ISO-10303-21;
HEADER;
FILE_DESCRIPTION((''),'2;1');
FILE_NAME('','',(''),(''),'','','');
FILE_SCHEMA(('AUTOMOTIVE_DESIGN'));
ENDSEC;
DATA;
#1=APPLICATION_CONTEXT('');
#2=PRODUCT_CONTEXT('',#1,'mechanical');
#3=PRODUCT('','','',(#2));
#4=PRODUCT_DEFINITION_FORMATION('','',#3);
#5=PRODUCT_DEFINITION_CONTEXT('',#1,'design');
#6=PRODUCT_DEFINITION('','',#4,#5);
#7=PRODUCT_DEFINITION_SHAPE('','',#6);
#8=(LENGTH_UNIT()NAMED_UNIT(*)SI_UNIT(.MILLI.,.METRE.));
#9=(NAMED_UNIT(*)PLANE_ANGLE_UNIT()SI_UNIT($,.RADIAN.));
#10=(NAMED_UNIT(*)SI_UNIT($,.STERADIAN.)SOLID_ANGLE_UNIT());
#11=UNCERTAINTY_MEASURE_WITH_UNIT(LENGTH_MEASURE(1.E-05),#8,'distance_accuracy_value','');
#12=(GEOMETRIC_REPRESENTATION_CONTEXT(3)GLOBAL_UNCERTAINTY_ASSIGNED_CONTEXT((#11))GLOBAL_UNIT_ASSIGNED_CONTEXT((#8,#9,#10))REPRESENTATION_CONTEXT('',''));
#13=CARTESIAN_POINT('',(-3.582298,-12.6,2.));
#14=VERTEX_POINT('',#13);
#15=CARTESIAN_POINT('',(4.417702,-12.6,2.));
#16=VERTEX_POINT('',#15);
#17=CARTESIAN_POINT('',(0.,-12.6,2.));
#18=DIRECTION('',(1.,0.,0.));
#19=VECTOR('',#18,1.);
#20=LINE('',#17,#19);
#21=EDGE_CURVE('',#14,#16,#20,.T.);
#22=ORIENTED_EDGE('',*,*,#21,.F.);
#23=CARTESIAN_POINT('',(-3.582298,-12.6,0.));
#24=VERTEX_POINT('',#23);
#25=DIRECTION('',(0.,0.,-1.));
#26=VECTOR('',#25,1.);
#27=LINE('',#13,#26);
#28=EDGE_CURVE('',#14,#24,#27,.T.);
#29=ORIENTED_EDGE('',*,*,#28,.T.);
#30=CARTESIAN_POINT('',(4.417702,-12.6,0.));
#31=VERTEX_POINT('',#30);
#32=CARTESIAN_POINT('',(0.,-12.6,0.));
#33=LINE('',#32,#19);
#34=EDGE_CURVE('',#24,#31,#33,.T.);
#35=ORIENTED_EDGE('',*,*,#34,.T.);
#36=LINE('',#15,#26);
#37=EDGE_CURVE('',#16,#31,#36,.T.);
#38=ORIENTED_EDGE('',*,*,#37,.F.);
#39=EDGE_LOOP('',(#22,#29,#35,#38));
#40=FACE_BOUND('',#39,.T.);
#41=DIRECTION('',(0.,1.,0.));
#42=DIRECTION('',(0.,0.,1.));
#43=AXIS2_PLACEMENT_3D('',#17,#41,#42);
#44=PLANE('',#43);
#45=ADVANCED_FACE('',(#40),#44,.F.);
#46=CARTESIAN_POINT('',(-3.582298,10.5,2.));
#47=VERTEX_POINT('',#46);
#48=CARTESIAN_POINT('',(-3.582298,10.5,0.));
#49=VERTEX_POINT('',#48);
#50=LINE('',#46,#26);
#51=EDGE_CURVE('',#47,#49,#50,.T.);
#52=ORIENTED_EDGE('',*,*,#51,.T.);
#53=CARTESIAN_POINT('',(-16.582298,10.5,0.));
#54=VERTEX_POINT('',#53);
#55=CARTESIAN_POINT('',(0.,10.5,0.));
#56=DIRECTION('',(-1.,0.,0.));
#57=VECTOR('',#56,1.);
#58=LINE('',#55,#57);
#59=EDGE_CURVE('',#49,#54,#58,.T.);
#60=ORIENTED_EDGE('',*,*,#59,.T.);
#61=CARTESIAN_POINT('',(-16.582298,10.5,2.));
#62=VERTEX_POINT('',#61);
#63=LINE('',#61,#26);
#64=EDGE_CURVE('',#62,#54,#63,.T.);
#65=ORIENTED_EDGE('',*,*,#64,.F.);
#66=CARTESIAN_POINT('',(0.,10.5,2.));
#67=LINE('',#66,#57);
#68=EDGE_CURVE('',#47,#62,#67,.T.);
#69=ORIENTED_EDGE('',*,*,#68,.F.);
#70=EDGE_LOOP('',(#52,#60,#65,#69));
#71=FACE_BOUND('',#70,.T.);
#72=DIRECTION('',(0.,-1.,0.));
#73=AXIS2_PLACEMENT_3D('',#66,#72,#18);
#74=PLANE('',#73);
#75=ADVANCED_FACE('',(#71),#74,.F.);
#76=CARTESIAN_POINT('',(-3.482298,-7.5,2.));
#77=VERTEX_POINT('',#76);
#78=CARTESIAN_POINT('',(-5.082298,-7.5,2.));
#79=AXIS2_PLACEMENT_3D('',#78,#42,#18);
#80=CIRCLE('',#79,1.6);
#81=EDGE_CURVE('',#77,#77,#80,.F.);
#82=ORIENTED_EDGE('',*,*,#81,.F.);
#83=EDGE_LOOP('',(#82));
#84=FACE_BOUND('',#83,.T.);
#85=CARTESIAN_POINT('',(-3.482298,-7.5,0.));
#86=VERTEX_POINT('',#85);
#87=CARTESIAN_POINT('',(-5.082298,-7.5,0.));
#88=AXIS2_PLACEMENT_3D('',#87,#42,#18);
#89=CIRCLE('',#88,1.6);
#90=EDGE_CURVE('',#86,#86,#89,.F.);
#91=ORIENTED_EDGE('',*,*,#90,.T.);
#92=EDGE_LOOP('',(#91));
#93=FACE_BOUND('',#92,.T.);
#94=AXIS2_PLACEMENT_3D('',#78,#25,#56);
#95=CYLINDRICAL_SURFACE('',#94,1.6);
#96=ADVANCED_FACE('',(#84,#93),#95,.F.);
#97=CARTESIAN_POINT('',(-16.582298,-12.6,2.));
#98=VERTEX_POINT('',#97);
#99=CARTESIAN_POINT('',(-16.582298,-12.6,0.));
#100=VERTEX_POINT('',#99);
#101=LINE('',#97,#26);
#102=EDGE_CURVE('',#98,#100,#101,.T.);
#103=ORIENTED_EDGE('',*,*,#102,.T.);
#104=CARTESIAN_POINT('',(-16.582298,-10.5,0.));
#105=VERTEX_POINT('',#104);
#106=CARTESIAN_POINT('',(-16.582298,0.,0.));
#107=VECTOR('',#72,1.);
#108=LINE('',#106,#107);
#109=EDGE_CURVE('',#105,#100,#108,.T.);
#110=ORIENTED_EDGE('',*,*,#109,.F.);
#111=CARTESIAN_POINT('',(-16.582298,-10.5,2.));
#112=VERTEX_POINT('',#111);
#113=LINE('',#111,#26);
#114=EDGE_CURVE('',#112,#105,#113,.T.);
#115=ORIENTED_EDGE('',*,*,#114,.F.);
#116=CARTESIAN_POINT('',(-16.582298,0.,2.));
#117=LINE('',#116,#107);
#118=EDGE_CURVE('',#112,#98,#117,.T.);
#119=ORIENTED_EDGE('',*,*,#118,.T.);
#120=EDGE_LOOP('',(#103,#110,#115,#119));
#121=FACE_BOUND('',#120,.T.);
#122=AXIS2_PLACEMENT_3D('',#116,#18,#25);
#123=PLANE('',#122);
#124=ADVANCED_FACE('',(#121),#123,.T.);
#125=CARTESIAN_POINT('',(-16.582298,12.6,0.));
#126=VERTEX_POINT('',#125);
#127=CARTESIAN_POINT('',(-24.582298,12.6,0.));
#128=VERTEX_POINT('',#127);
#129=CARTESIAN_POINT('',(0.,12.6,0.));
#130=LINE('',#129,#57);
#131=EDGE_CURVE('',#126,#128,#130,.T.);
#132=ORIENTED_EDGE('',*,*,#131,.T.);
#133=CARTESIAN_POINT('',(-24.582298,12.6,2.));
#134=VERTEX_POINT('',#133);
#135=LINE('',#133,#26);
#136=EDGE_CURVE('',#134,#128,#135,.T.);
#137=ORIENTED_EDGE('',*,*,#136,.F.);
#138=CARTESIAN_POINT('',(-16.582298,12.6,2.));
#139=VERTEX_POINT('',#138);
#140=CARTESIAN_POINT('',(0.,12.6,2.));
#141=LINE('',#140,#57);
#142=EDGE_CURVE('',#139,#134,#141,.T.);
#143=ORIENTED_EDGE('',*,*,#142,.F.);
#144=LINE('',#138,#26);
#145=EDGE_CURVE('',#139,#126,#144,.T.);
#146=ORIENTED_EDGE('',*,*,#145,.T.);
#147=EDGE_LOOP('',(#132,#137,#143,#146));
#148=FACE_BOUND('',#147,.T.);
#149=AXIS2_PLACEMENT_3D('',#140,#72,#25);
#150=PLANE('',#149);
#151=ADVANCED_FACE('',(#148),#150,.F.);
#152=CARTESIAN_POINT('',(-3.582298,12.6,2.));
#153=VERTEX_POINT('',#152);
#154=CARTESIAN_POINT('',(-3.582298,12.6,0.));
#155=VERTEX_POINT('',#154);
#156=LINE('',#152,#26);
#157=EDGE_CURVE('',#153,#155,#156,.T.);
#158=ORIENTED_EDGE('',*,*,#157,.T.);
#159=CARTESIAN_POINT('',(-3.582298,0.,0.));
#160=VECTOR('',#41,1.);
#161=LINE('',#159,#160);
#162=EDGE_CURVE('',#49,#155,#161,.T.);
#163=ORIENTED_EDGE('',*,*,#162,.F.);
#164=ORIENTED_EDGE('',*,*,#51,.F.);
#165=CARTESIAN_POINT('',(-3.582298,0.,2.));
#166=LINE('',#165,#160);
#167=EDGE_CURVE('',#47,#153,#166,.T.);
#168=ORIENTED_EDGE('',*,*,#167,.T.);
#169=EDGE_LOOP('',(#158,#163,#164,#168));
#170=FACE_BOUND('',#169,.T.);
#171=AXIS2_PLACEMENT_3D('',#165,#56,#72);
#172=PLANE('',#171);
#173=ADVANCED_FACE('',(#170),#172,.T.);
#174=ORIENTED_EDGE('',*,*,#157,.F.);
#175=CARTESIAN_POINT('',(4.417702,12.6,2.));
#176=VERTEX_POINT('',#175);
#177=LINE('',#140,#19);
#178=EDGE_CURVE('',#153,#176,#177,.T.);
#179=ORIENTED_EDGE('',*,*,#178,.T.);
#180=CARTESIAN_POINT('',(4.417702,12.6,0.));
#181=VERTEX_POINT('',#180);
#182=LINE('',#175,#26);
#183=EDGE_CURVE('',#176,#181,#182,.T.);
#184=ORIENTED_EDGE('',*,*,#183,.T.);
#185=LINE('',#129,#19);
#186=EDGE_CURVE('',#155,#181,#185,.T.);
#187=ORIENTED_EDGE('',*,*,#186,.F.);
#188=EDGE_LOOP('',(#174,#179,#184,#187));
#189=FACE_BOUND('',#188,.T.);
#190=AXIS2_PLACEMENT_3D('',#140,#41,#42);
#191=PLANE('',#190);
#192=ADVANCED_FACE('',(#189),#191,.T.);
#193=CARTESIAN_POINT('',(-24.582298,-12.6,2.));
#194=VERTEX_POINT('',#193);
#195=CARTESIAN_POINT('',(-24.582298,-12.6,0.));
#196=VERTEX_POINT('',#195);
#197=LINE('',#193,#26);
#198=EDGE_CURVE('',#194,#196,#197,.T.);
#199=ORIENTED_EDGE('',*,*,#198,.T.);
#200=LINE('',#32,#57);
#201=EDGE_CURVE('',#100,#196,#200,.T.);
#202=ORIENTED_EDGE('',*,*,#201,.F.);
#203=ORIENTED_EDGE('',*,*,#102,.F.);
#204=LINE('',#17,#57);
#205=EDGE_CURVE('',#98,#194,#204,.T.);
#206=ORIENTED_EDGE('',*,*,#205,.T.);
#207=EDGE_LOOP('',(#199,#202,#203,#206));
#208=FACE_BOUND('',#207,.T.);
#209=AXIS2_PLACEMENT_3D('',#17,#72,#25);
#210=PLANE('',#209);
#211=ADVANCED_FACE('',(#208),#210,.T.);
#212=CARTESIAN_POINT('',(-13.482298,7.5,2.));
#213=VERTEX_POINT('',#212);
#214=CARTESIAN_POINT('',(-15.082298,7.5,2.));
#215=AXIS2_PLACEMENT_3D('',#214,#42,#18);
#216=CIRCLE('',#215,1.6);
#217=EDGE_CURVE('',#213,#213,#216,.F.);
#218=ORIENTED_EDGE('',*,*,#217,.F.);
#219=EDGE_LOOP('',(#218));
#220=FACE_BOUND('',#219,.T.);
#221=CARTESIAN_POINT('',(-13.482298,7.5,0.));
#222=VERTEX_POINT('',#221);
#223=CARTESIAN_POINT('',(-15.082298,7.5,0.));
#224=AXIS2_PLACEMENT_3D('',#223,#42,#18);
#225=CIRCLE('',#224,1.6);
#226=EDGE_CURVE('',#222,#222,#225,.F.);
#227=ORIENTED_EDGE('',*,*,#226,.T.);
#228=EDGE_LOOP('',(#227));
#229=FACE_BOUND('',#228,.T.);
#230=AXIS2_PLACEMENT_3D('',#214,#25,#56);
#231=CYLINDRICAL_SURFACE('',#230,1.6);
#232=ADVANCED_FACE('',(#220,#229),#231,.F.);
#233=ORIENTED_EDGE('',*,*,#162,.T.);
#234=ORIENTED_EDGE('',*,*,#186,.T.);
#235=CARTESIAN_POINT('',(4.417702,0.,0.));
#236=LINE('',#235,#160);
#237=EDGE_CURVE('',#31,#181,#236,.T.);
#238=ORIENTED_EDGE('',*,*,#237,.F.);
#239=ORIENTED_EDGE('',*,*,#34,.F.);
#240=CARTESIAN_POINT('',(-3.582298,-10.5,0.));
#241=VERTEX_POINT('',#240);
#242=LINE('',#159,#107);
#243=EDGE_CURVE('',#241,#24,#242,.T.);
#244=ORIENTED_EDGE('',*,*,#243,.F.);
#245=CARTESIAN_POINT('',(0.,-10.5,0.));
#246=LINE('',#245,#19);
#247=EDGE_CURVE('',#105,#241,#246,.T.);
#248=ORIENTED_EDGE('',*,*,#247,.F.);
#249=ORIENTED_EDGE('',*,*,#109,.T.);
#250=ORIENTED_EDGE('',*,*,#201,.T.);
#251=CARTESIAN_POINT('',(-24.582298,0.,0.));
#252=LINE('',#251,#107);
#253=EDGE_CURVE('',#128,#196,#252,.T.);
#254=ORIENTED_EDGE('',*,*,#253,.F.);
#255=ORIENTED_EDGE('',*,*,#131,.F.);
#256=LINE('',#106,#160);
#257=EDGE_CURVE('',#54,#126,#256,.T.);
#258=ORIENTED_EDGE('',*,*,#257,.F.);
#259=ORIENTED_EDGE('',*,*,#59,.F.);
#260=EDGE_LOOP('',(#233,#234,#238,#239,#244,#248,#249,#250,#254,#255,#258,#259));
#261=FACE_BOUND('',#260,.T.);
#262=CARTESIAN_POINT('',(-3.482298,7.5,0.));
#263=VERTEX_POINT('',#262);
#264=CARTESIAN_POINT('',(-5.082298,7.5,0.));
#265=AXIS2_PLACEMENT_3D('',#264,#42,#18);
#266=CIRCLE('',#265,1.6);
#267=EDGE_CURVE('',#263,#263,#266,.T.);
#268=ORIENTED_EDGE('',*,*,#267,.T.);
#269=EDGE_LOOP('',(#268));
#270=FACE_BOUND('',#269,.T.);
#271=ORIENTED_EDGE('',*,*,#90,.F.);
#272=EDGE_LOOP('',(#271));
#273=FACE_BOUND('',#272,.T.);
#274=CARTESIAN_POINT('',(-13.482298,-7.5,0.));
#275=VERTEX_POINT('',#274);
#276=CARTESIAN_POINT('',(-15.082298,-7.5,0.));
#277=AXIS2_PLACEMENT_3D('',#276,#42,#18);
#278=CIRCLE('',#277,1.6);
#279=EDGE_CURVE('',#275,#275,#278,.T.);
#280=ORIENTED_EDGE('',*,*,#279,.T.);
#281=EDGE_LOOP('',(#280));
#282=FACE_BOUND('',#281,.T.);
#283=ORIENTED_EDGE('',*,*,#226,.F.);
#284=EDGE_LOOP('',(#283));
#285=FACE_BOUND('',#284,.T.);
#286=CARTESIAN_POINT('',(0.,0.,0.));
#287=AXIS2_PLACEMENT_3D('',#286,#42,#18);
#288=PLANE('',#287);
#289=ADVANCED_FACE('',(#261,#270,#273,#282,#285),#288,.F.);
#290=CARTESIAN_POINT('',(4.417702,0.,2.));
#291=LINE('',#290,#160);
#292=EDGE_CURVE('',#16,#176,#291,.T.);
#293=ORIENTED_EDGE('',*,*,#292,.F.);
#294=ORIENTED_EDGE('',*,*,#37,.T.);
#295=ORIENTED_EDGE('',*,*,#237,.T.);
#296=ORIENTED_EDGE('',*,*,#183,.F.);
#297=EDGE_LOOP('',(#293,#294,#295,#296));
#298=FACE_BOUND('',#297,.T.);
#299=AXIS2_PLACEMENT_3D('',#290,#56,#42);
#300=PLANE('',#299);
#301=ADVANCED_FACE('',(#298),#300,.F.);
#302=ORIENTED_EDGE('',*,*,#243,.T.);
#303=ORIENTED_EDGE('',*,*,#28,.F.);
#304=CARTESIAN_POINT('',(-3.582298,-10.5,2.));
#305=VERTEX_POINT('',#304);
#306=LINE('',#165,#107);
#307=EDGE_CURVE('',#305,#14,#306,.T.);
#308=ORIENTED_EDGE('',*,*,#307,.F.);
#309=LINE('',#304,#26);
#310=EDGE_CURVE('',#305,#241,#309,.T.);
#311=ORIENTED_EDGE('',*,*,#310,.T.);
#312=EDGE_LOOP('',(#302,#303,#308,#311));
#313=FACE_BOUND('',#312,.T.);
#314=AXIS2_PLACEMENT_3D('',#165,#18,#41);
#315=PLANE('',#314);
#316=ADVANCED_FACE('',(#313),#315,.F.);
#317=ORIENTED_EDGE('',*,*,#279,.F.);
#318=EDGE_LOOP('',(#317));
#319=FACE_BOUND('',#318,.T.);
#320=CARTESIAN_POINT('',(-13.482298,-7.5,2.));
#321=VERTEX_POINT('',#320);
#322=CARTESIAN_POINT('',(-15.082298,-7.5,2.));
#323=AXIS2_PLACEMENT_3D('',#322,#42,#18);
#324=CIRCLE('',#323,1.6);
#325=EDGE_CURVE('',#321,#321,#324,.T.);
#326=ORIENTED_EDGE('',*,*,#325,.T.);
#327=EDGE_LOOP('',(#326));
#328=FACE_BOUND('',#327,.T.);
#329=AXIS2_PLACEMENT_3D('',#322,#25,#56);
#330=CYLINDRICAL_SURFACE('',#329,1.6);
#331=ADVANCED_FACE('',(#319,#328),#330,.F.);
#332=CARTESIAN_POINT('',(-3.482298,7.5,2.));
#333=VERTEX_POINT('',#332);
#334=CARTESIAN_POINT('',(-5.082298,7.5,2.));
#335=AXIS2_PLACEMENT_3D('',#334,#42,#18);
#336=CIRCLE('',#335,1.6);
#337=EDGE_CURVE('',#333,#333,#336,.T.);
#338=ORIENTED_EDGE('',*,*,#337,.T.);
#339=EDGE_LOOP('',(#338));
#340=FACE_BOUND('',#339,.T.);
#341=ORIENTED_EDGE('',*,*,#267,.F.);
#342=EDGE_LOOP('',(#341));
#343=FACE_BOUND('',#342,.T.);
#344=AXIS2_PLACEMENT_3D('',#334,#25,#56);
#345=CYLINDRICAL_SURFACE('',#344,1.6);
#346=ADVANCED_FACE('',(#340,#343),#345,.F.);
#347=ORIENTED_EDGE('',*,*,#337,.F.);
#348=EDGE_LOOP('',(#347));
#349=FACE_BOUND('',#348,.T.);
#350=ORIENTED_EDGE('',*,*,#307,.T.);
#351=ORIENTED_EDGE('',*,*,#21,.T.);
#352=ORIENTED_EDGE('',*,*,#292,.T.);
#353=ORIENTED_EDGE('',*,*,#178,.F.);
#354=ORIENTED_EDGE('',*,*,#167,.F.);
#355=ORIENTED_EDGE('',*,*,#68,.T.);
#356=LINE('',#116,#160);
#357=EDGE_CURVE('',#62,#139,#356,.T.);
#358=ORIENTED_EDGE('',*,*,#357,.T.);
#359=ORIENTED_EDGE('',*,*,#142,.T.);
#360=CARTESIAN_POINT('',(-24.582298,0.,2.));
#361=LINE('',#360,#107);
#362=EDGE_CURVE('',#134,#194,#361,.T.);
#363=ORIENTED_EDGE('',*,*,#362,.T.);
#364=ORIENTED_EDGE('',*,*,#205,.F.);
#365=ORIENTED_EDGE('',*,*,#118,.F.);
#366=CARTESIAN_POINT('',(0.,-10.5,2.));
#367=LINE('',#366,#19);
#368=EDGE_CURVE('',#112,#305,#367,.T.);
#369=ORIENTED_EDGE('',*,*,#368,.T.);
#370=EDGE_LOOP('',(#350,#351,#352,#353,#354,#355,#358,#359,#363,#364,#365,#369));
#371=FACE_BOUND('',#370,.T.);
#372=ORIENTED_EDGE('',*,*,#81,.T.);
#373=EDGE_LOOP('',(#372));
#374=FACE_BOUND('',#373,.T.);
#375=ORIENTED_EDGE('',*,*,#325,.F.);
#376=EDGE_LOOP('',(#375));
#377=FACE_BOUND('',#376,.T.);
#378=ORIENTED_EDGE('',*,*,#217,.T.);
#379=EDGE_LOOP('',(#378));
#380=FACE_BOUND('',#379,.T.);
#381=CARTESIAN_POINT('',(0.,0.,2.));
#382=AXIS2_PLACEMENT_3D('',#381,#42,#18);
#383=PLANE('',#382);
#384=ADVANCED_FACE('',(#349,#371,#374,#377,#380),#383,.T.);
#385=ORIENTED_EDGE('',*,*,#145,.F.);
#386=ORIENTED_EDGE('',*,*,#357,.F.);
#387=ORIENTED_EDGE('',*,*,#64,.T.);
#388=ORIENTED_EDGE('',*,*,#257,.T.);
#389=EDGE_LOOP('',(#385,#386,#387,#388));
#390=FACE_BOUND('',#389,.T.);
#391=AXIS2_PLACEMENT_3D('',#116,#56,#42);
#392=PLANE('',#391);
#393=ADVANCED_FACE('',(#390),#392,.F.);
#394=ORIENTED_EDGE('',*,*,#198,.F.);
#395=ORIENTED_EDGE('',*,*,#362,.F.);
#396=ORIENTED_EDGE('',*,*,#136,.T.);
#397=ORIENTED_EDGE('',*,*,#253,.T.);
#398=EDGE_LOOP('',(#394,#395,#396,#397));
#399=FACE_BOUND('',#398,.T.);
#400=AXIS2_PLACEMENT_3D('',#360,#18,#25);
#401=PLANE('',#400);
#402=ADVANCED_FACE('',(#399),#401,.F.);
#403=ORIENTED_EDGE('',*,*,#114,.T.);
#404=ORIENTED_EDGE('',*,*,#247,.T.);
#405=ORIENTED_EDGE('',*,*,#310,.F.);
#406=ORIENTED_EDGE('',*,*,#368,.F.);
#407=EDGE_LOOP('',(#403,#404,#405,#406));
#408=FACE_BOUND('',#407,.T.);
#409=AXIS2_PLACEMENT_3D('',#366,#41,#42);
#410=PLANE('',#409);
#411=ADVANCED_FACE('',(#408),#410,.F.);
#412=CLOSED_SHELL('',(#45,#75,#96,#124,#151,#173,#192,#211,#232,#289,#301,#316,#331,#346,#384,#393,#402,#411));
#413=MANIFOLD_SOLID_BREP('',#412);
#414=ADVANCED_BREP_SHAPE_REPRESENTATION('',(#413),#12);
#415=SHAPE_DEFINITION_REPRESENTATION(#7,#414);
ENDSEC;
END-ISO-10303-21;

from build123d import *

# Parameters (mm, degrees)
SKETCH_1_W      = 29
SKETCH_1_H      = 21
SKETCH_1_R      = 1.6
SKETCH_1_W_2    = 8
SKETCH_1_H_2    = 2.1
EXTRUDE_1_DEPTH = 2


with BuildPart() as part:
    # 草图1 → 凸台-拉伸1 (new body)
    # profile 1 of 5: a face of its own
    with BuildSketch(Plane.XY):
        with Locations((-10.082297853, 0)):
            Rectangle(SKETCH_1_W, SKETCH_1_H)
        with Locations((-15.082297853, 7.5)):
            Circle(SKETCH_1_R, mode=Mode.SUBTRACT)
        with Locations((-5.082297853, 7.5)):
            Circle(SKETCH_1_R, mode=Mode.SUBTRACT)
        with Locations((-15.082297853, -7.5)):
            Circle(SKETCH_1_R, mode=Mode.SUBTRACT)
        with Locations((-5.082297853, -7.5)):
            Circle(SKETCH_1_R, mode=Mode.SUBTRACT)
    # profile 2 of 5: a face of its own
    with BuildSketch(Plane.XY):
        with Locations((-20.582297853, 11.55)):
            Rectangle(SKETCH_1_W_2, SKETCH_1_H_2)
    # profile 3 of 5: a face of its own
    with BuildSketch(Plane.XY):
        with Locations((0.417702147, 11.55)):
            Rectangle(SKETCH_1_W_2, SKETCH_1_H_2)
    # profile 4 of 5: a face of its own
    with BuildSketch(Plane.XY):
        with Locations((-20.582297853, -11.55)):
            Rectangle(SKETCH_1_W_2, SKETCH_1_H_2)
    # profile 5 of 5: a face of its own
    with BuildSketch(Plane.XY):
        with Locations((0.417702147, -11.55)):
            Rectangle(SKETCH_1_W_2, SKETCH_1_H_2)
    extrude(amount=EXTRUDE_1_DEPTH)


solid = part.part
